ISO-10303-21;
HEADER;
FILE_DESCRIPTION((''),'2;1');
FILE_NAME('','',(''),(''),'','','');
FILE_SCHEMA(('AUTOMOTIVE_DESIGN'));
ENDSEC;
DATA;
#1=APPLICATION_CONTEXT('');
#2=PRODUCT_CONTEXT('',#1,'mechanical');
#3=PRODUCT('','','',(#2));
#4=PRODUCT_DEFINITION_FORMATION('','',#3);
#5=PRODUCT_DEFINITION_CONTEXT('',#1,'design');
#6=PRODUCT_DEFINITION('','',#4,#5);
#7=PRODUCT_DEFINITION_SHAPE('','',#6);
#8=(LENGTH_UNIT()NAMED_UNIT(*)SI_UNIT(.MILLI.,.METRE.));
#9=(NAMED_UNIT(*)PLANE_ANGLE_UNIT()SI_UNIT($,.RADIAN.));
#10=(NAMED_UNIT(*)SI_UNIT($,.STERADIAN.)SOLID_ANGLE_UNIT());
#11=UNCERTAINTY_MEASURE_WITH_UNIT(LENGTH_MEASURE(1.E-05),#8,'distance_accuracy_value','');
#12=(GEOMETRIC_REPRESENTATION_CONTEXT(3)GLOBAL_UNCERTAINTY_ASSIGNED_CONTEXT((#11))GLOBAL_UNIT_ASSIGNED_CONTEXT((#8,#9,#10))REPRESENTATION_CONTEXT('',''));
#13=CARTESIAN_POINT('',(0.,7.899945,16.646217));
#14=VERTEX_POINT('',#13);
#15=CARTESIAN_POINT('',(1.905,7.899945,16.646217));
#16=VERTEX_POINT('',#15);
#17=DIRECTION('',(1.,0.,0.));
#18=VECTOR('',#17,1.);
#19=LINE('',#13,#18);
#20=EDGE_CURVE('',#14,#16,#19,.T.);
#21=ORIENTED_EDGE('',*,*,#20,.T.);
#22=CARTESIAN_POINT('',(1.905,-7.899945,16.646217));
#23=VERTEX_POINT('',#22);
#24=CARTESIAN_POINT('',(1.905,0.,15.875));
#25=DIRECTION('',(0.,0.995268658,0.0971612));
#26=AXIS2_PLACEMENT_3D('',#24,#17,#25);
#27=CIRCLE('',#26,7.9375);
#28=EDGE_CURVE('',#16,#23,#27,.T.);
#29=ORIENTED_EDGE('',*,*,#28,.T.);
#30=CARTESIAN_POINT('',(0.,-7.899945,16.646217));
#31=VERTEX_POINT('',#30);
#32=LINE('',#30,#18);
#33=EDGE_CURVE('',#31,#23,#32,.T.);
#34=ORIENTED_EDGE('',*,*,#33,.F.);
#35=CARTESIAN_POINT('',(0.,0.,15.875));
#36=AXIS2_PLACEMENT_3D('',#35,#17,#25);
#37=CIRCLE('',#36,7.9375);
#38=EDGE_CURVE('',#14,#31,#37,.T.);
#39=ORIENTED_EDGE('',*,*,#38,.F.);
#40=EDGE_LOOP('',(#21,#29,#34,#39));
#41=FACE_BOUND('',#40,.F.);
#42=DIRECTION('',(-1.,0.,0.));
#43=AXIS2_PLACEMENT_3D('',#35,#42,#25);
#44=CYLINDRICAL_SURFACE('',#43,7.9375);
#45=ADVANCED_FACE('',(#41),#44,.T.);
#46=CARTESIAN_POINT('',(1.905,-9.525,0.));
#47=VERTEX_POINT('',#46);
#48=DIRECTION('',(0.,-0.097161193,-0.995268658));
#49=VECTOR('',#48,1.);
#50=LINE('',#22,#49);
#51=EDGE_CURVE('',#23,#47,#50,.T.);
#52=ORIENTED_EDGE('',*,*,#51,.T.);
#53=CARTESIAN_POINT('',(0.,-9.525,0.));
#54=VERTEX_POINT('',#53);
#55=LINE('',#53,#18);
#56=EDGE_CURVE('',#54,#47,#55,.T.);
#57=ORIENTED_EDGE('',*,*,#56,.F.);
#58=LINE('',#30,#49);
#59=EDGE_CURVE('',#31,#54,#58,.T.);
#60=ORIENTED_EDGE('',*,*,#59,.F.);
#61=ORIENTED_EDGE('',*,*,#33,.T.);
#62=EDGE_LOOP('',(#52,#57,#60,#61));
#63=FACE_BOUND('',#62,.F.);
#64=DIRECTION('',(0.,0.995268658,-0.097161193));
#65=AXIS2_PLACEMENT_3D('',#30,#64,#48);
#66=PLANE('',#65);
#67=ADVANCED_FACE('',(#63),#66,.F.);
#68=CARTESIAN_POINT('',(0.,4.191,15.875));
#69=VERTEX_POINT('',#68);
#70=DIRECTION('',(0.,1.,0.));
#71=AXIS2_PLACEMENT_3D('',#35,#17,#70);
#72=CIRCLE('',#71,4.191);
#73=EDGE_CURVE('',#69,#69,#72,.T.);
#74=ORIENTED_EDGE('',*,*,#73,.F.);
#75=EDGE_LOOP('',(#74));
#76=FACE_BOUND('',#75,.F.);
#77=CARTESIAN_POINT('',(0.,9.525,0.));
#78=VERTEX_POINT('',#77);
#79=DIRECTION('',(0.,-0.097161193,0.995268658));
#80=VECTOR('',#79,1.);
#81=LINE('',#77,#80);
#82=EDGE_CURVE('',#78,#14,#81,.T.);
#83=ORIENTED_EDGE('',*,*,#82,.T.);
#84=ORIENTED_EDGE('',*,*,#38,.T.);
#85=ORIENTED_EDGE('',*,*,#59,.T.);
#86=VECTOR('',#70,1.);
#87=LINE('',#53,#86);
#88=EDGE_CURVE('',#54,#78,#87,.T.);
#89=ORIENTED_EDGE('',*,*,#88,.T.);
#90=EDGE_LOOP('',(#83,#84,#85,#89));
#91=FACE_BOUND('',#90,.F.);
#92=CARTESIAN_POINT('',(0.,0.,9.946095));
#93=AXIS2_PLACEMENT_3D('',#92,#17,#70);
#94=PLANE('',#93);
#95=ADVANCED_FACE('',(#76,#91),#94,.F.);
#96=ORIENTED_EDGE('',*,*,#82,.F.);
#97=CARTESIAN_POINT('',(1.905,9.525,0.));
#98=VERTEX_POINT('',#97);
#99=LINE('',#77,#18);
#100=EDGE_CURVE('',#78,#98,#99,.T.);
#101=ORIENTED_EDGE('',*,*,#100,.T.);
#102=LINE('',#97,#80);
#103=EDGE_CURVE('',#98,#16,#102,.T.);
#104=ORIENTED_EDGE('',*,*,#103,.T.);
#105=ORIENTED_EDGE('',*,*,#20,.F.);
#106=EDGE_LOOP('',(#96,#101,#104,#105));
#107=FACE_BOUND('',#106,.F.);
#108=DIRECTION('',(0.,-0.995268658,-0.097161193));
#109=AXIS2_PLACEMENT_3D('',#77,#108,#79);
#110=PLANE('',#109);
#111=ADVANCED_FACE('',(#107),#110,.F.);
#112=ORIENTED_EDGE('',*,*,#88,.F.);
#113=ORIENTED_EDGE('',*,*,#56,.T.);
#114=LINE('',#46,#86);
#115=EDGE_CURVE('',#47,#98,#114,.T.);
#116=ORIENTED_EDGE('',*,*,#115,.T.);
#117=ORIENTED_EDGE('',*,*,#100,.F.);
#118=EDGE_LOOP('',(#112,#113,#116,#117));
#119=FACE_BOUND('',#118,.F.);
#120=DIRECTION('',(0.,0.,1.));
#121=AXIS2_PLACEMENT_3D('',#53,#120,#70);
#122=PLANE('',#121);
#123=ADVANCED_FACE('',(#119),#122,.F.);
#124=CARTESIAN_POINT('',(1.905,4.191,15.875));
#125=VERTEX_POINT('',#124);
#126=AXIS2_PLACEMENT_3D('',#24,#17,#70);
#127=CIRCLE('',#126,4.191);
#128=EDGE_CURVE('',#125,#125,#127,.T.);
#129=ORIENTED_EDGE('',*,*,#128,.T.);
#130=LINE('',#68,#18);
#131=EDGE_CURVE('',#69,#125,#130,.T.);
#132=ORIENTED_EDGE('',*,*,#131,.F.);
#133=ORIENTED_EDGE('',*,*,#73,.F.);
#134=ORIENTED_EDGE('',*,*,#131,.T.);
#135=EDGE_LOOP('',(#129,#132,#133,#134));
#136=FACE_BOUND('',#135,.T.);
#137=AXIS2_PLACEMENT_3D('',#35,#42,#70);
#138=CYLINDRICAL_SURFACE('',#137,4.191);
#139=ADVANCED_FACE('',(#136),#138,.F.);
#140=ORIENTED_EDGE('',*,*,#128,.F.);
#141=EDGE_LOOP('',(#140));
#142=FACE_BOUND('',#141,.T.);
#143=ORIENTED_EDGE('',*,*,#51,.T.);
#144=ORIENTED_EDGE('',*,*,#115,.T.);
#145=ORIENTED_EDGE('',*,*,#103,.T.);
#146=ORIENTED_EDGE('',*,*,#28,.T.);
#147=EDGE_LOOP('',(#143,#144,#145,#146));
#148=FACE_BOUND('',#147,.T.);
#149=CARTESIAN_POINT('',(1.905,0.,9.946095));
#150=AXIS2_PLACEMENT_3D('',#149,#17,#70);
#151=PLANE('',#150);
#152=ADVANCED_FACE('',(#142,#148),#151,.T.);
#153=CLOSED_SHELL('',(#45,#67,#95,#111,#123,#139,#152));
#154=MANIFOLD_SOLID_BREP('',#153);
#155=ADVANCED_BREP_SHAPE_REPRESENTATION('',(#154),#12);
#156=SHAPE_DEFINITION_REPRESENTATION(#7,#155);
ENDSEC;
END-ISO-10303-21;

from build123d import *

# Parameters (mm, degrees)
F0_R     = 4.191
F1_DEPTH = 1.905


with BuildPart() as f1:
    # F0 (on Right) → F1 (new body)
    with BuildSketch(Plane.YZ):
        with BuildLine():
            Line((9.525, 0), (7.899945, 16.646217))
            ThreePointArc((7.899945, 16.646217), (0, 23.8125), (-7.899945, 16.646217))
            Line((-7.899945, 16.646217), (-9.525, 0))
            Line((-9.525, 0), (9.525, 0))
        make_face()
        with Locations((0, 15.875)):
            Circle(F0_R, mode=Mode.SUBTRACT)
    extrude(amount=F1_DEPTH)


solid = f1.part
